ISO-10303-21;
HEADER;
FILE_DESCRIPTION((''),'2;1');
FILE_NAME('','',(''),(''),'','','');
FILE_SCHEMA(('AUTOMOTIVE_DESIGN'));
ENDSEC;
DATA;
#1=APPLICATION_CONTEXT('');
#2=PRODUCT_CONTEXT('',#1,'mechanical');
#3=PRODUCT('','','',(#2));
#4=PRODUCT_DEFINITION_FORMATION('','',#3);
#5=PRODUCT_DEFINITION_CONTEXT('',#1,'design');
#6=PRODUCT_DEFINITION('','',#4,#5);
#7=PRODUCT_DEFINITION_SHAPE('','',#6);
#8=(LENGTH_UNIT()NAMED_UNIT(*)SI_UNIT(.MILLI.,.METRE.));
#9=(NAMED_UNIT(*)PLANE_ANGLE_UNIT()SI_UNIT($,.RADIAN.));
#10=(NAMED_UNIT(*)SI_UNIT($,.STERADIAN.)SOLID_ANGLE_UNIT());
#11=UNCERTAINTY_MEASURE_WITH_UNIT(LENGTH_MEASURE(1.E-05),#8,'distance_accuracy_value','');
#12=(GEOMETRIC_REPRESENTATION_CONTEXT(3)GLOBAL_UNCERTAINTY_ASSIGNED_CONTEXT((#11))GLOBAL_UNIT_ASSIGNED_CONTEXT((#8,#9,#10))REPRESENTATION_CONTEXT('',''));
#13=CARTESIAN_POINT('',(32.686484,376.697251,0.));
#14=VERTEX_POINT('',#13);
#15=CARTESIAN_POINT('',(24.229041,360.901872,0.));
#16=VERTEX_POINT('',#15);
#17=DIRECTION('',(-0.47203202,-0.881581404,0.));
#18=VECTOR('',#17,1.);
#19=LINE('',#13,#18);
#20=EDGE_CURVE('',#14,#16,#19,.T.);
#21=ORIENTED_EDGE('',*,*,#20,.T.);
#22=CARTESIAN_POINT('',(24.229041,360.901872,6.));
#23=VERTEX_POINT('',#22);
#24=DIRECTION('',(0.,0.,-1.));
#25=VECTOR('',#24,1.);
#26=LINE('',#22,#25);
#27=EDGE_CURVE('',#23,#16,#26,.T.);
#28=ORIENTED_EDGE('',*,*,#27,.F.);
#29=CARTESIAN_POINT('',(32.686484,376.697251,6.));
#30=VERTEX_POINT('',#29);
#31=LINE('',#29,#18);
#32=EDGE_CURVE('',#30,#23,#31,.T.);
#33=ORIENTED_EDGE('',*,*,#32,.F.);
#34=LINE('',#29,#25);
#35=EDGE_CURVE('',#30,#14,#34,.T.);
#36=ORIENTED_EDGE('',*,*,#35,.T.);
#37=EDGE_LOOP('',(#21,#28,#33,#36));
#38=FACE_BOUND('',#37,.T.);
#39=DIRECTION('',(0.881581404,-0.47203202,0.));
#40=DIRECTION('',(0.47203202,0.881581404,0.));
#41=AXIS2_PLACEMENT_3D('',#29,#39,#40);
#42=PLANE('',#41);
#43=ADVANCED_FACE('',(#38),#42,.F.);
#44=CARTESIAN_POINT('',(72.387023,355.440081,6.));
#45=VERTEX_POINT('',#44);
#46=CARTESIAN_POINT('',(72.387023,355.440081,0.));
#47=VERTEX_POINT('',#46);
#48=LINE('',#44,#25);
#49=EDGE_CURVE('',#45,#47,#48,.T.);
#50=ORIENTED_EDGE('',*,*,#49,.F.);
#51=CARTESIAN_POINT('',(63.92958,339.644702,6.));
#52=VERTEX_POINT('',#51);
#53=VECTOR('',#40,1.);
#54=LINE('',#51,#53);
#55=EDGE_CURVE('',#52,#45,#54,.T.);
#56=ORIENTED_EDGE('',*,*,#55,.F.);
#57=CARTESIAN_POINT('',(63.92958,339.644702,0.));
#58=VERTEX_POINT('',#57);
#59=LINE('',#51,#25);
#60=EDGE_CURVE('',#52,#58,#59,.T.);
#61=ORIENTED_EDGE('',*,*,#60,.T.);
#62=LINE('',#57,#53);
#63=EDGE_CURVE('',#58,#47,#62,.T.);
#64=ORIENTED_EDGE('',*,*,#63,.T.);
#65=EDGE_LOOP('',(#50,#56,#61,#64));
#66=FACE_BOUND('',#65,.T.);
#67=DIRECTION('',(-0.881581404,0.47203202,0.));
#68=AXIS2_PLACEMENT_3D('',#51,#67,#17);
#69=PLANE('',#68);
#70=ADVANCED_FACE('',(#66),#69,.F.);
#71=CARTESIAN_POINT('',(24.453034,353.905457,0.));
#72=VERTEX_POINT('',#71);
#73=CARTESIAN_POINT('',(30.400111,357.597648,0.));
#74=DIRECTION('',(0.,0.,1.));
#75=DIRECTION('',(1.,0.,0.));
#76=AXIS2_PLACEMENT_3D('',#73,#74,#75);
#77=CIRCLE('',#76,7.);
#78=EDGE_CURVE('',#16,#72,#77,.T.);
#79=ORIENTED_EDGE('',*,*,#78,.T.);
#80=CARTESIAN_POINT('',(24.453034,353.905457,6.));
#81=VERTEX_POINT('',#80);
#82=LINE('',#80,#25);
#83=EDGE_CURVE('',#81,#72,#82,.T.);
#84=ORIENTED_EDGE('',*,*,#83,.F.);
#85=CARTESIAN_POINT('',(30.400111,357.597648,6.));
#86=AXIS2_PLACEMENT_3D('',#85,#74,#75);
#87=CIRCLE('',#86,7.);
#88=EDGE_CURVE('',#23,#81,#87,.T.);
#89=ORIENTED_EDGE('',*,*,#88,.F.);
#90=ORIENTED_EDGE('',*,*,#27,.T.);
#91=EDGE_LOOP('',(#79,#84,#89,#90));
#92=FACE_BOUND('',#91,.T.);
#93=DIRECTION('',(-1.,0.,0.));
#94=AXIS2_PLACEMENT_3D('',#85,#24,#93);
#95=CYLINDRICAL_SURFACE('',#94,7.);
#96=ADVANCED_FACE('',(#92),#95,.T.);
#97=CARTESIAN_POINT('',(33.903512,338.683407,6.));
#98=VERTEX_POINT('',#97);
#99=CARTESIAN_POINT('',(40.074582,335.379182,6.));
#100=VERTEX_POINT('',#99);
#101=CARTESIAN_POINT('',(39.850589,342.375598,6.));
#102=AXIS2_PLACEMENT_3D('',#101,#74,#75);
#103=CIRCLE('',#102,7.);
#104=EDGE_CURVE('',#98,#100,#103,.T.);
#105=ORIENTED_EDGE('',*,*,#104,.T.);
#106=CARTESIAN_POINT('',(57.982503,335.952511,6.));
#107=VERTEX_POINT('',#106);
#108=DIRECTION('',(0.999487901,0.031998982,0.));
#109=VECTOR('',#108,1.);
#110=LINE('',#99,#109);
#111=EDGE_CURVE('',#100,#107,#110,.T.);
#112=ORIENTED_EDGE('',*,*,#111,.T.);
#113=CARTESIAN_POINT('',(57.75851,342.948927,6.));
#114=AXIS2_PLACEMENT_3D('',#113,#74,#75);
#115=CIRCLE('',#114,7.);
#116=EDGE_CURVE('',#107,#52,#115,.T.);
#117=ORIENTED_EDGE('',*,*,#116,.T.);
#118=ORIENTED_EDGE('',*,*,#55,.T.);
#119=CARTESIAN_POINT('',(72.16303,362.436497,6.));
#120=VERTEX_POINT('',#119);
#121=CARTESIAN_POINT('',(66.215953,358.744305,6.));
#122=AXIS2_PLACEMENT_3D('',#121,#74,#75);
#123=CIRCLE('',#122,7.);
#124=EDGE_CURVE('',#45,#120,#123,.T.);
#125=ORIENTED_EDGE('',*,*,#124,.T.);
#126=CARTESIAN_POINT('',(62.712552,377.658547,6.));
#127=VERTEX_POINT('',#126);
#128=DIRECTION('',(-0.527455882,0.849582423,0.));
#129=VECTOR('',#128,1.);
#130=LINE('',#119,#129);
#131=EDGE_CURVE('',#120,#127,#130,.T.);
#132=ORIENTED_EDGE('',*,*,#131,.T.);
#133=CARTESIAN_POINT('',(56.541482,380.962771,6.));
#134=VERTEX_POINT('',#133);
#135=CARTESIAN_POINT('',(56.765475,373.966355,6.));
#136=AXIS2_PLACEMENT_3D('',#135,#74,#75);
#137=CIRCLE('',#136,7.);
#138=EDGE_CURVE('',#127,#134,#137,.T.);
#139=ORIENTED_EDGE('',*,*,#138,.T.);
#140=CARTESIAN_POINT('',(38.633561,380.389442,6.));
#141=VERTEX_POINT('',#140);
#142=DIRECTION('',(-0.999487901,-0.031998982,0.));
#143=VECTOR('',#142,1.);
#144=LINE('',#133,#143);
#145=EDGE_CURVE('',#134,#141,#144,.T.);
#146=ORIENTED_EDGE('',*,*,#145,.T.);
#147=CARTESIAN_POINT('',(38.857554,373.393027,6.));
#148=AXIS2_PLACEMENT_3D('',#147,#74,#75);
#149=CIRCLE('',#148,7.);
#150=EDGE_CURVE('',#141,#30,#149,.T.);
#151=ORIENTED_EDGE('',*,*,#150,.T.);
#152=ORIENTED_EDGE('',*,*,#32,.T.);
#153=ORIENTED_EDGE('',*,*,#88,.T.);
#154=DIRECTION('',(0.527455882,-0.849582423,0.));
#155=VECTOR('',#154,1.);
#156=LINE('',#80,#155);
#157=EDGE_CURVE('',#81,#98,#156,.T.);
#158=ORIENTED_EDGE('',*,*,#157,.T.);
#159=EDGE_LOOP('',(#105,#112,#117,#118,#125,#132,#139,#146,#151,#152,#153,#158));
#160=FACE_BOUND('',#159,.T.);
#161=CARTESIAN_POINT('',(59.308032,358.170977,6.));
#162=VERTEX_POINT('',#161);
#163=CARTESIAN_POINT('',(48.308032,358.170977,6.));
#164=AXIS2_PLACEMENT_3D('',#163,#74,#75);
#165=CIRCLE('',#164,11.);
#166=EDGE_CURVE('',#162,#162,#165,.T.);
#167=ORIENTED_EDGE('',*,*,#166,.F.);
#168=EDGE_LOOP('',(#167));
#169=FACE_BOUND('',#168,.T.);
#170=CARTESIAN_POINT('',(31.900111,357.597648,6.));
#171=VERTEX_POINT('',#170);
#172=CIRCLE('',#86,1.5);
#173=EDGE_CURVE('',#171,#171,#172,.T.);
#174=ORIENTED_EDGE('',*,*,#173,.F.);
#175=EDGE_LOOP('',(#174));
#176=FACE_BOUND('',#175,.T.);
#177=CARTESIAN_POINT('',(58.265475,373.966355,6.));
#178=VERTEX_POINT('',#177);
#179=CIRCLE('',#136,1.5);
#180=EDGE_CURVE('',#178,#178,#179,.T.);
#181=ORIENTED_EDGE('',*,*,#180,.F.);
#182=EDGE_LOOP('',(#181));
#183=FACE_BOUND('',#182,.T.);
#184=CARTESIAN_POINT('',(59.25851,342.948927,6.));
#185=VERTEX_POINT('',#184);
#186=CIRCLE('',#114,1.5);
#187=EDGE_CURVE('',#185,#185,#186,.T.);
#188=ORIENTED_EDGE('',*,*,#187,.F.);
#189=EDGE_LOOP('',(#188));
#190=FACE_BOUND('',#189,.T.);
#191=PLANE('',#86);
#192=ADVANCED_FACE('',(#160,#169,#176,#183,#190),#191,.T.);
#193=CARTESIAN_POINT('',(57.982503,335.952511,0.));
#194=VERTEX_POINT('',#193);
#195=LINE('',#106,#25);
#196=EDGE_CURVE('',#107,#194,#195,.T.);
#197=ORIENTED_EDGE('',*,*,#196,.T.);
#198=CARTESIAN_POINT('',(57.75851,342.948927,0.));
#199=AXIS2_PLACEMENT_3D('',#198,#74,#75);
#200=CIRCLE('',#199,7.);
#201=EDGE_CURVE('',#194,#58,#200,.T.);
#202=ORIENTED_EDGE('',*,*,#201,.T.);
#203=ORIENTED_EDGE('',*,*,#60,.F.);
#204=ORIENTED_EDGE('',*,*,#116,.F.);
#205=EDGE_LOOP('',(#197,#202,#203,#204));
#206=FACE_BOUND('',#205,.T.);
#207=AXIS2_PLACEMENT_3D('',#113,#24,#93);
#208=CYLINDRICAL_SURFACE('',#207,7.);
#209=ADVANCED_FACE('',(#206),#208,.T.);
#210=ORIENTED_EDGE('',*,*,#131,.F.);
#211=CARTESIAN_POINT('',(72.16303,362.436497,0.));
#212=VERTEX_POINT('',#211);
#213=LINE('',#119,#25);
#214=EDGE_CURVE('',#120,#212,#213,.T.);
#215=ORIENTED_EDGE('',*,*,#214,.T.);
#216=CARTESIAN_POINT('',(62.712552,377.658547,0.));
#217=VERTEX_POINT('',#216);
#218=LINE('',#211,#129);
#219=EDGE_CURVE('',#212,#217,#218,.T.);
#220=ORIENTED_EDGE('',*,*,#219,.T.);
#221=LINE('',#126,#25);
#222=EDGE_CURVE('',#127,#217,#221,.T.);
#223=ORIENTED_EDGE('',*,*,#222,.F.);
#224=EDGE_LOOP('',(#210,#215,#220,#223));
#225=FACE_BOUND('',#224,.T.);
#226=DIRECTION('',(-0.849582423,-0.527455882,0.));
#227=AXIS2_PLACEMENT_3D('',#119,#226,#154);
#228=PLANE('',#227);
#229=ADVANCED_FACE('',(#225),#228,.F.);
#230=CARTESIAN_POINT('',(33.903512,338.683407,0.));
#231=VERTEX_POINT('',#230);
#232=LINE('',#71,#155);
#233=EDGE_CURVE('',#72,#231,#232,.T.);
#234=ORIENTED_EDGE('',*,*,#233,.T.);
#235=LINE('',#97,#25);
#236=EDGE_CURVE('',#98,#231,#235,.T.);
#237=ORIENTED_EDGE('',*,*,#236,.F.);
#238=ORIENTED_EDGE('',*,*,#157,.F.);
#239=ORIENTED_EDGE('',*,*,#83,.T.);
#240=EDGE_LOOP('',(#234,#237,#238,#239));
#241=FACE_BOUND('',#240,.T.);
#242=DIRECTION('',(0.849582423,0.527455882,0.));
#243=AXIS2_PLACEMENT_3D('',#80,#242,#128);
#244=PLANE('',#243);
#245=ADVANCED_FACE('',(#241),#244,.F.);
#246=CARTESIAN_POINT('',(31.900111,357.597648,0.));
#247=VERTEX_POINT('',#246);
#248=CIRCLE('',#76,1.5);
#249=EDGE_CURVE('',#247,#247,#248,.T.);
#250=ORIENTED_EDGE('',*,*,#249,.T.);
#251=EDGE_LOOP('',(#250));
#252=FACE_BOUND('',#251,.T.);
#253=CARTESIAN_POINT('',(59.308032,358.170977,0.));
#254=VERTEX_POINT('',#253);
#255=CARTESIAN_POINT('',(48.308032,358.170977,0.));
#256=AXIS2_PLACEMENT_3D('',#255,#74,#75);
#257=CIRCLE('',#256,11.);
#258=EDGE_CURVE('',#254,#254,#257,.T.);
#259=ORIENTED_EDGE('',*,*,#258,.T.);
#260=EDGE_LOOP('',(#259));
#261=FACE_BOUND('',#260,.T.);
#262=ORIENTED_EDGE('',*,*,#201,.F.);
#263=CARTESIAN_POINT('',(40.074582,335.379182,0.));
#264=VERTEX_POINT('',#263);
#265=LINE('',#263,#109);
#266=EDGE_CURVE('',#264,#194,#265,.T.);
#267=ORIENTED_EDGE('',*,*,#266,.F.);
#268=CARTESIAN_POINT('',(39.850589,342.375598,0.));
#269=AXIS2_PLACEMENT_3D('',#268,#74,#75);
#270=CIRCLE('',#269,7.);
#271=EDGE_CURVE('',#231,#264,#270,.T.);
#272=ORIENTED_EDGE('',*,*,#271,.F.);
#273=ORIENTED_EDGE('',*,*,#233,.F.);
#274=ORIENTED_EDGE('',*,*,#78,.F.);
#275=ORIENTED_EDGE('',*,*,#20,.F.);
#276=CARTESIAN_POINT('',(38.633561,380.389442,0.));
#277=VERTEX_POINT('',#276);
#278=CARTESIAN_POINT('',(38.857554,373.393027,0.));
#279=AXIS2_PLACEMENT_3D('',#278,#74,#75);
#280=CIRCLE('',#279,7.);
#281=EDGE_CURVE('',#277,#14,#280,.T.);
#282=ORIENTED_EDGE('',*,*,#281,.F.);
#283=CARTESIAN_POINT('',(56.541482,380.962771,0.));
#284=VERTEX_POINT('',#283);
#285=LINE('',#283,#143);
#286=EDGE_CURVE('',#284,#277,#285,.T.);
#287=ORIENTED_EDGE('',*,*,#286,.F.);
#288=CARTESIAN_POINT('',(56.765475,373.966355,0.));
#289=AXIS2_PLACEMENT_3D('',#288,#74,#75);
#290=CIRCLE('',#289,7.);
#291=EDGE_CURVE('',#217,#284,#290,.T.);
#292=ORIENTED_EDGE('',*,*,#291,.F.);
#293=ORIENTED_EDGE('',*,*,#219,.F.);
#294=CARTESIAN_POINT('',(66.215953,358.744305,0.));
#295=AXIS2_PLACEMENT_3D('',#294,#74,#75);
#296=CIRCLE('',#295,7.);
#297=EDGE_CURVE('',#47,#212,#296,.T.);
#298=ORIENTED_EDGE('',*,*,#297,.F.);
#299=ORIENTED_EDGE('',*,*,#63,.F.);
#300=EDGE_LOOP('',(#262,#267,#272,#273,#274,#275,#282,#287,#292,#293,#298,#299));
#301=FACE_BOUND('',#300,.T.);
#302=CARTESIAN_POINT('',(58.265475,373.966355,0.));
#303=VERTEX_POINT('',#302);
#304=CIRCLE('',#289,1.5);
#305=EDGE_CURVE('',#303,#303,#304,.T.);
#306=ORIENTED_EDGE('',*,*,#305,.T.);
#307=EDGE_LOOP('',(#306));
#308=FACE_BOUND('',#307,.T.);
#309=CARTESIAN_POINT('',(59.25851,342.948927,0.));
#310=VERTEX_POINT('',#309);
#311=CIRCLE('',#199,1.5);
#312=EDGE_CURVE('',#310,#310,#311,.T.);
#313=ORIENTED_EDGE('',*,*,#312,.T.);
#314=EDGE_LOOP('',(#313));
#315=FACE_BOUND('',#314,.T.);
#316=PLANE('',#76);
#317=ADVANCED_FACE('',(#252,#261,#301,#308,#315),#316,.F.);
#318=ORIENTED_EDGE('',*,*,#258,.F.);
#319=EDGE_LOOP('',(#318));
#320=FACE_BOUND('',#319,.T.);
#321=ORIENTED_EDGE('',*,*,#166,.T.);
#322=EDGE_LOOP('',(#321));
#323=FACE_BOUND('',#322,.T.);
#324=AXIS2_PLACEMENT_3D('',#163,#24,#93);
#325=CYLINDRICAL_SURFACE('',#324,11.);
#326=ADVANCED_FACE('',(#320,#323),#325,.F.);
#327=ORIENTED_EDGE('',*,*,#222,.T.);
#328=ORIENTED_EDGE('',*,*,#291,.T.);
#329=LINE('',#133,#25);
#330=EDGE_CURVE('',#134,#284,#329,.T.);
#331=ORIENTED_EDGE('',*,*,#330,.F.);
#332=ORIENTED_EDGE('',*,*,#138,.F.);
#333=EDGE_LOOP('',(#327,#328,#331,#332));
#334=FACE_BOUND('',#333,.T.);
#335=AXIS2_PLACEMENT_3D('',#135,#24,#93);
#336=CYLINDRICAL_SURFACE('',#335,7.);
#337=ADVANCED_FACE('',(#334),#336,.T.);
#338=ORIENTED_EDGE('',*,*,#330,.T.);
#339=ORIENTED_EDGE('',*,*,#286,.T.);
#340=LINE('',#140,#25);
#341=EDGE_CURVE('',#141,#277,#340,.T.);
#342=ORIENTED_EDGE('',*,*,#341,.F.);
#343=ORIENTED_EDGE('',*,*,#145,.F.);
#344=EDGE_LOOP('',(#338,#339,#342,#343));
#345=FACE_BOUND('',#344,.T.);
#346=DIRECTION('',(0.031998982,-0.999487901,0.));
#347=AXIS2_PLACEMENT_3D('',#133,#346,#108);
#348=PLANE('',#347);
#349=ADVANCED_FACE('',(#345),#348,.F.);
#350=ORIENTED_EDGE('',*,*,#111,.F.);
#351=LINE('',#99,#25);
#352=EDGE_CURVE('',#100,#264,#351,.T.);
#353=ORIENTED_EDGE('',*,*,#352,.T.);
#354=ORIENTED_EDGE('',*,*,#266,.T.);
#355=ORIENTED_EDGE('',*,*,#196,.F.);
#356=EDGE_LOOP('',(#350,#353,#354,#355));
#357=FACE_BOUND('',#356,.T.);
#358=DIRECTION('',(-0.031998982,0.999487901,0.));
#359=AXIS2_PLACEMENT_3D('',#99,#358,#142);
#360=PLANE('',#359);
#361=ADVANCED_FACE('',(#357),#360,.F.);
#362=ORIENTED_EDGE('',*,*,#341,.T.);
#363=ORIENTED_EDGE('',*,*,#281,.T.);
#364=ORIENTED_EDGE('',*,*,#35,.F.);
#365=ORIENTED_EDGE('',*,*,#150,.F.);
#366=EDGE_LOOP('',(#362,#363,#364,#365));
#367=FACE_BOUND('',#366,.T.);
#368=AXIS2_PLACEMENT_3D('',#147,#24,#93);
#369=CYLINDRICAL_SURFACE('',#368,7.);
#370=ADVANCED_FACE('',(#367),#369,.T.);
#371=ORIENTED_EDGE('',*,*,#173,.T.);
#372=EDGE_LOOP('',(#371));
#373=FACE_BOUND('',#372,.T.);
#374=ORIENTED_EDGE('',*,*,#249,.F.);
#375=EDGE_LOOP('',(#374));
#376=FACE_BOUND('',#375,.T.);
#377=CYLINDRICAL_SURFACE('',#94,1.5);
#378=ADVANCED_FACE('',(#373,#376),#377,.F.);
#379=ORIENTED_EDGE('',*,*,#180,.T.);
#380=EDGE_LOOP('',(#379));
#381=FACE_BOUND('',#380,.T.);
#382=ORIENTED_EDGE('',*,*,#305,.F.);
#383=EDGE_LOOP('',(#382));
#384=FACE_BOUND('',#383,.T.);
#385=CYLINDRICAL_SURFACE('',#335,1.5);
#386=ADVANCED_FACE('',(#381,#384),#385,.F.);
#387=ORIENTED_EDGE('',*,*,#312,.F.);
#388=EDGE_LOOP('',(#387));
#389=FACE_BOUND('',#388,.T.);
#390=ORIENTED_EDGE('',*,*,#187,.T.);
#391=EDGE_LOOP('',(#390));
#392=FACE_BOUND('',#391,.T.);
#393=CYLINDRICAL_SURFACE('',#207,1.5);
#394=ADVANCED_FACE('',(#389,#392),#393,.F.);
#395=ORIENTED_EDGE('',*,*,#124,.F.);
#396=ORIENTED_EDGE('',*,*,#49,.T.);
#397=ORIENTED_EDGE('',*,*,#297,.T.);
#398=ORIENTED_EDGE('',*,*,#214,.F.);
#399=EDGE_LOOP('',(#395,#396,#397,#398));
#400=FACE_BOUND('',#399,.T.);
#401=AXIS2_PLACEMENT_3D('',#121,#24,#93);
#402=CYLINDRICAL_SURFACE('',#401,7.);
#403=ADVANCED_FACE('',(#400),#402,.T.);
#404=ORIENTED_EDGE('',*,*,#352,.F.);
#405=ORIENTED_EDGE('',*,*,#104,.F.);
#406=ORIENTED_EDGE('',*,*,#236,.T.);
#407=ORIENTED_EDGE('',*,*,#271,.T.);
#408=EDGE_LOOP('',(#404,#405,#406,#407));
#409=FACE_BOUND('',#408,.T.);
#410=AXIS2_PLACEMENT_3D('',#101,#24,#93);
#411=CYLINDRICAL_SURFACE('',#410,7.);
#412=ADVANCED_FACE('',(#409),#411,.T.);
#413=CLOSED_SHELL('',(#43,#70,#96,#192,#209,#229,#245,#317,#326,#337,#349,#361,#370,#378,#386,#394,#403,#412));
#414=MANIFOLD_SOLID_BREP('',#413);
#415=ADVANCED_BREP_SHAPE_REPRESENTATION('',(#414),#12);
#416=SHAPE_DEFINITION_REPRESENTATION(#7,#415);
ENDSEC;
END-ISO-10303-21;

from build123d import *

# Parameters (mm, degrees)
SKETCH1_R           = 1.5
SKETCH1_R_2         = 11
BOSS_EXTRUDE1_DEPTH = 6


with BuildPart() as part:
    # Sketch1 → Boss-Extrude1 (new body)
    with BuildSketch(Plane.XY):
        with BuildLine():
            Line((24.453034096, 353.905456547), (33.903511888, 338.683406525))
            ThreePointArc((33.903511888, 338.683406525), (36.546364709, 336.204527868), (40.074581718, 335.379182388))
            Line((40.074581718, 335.379182388), (57.982502631, 335.952511222))
            ThreePointArc((57.982502631, 335.952511222), (61.450700931, 337.001849574), (63.929579589, 339.644702395))
            Line((63.929579589, 339.644702395), (72.38702271, 355.440081251))
            ThreePointArc((72.38702271, 355.440081251), (73.21236819, 358.968298261), (72.163029838, 362.436496561))
            Line((72.163029838, 362.436496561), (62.712552046, 377.658546583))
            ThreePointArc((62.712552046, 377.658546583), (60.069699226, 380.137425241), (56.541482216, 380.962770721))
            Line((56.541482216, 380.962770721), (38.633561304, 380.389441887))
            ThreePointArc((38.633561304, 380.389441887), (35.165363003, 379.340103535), (32.686484345, 376.697250714))
            Line((32.686484345, 376.697250714), (24.229041225, 360.901871858))
            ThreePointArc((24.229041225, 360.901871858), (23.403695744, 357.373654848), (24.453034096, 353.905456547))
        make_face()
        with Locations((57.758509759, 342.948926532)):
            Circle(SKETCH1_R, mode=Mode.SUBTRACT)
        with Locations((48.308031967, 358.170976554)):
            Circle(SKETCH1_R_2, mode=Mode.SUBTRACT)
        with Locations((56.765475088, 373.966355411)):
            Circle(SKETCH1_R, mode=Mode.SUBTRACT)
        with Locations((30.400111055, 357.59764772)):
            Circle(SKETCH1_R, mode=Mode.SUBTRACT)
    extrude(amount=BOSS_EXTRUDE1_DEPTH)


solid = part.part
